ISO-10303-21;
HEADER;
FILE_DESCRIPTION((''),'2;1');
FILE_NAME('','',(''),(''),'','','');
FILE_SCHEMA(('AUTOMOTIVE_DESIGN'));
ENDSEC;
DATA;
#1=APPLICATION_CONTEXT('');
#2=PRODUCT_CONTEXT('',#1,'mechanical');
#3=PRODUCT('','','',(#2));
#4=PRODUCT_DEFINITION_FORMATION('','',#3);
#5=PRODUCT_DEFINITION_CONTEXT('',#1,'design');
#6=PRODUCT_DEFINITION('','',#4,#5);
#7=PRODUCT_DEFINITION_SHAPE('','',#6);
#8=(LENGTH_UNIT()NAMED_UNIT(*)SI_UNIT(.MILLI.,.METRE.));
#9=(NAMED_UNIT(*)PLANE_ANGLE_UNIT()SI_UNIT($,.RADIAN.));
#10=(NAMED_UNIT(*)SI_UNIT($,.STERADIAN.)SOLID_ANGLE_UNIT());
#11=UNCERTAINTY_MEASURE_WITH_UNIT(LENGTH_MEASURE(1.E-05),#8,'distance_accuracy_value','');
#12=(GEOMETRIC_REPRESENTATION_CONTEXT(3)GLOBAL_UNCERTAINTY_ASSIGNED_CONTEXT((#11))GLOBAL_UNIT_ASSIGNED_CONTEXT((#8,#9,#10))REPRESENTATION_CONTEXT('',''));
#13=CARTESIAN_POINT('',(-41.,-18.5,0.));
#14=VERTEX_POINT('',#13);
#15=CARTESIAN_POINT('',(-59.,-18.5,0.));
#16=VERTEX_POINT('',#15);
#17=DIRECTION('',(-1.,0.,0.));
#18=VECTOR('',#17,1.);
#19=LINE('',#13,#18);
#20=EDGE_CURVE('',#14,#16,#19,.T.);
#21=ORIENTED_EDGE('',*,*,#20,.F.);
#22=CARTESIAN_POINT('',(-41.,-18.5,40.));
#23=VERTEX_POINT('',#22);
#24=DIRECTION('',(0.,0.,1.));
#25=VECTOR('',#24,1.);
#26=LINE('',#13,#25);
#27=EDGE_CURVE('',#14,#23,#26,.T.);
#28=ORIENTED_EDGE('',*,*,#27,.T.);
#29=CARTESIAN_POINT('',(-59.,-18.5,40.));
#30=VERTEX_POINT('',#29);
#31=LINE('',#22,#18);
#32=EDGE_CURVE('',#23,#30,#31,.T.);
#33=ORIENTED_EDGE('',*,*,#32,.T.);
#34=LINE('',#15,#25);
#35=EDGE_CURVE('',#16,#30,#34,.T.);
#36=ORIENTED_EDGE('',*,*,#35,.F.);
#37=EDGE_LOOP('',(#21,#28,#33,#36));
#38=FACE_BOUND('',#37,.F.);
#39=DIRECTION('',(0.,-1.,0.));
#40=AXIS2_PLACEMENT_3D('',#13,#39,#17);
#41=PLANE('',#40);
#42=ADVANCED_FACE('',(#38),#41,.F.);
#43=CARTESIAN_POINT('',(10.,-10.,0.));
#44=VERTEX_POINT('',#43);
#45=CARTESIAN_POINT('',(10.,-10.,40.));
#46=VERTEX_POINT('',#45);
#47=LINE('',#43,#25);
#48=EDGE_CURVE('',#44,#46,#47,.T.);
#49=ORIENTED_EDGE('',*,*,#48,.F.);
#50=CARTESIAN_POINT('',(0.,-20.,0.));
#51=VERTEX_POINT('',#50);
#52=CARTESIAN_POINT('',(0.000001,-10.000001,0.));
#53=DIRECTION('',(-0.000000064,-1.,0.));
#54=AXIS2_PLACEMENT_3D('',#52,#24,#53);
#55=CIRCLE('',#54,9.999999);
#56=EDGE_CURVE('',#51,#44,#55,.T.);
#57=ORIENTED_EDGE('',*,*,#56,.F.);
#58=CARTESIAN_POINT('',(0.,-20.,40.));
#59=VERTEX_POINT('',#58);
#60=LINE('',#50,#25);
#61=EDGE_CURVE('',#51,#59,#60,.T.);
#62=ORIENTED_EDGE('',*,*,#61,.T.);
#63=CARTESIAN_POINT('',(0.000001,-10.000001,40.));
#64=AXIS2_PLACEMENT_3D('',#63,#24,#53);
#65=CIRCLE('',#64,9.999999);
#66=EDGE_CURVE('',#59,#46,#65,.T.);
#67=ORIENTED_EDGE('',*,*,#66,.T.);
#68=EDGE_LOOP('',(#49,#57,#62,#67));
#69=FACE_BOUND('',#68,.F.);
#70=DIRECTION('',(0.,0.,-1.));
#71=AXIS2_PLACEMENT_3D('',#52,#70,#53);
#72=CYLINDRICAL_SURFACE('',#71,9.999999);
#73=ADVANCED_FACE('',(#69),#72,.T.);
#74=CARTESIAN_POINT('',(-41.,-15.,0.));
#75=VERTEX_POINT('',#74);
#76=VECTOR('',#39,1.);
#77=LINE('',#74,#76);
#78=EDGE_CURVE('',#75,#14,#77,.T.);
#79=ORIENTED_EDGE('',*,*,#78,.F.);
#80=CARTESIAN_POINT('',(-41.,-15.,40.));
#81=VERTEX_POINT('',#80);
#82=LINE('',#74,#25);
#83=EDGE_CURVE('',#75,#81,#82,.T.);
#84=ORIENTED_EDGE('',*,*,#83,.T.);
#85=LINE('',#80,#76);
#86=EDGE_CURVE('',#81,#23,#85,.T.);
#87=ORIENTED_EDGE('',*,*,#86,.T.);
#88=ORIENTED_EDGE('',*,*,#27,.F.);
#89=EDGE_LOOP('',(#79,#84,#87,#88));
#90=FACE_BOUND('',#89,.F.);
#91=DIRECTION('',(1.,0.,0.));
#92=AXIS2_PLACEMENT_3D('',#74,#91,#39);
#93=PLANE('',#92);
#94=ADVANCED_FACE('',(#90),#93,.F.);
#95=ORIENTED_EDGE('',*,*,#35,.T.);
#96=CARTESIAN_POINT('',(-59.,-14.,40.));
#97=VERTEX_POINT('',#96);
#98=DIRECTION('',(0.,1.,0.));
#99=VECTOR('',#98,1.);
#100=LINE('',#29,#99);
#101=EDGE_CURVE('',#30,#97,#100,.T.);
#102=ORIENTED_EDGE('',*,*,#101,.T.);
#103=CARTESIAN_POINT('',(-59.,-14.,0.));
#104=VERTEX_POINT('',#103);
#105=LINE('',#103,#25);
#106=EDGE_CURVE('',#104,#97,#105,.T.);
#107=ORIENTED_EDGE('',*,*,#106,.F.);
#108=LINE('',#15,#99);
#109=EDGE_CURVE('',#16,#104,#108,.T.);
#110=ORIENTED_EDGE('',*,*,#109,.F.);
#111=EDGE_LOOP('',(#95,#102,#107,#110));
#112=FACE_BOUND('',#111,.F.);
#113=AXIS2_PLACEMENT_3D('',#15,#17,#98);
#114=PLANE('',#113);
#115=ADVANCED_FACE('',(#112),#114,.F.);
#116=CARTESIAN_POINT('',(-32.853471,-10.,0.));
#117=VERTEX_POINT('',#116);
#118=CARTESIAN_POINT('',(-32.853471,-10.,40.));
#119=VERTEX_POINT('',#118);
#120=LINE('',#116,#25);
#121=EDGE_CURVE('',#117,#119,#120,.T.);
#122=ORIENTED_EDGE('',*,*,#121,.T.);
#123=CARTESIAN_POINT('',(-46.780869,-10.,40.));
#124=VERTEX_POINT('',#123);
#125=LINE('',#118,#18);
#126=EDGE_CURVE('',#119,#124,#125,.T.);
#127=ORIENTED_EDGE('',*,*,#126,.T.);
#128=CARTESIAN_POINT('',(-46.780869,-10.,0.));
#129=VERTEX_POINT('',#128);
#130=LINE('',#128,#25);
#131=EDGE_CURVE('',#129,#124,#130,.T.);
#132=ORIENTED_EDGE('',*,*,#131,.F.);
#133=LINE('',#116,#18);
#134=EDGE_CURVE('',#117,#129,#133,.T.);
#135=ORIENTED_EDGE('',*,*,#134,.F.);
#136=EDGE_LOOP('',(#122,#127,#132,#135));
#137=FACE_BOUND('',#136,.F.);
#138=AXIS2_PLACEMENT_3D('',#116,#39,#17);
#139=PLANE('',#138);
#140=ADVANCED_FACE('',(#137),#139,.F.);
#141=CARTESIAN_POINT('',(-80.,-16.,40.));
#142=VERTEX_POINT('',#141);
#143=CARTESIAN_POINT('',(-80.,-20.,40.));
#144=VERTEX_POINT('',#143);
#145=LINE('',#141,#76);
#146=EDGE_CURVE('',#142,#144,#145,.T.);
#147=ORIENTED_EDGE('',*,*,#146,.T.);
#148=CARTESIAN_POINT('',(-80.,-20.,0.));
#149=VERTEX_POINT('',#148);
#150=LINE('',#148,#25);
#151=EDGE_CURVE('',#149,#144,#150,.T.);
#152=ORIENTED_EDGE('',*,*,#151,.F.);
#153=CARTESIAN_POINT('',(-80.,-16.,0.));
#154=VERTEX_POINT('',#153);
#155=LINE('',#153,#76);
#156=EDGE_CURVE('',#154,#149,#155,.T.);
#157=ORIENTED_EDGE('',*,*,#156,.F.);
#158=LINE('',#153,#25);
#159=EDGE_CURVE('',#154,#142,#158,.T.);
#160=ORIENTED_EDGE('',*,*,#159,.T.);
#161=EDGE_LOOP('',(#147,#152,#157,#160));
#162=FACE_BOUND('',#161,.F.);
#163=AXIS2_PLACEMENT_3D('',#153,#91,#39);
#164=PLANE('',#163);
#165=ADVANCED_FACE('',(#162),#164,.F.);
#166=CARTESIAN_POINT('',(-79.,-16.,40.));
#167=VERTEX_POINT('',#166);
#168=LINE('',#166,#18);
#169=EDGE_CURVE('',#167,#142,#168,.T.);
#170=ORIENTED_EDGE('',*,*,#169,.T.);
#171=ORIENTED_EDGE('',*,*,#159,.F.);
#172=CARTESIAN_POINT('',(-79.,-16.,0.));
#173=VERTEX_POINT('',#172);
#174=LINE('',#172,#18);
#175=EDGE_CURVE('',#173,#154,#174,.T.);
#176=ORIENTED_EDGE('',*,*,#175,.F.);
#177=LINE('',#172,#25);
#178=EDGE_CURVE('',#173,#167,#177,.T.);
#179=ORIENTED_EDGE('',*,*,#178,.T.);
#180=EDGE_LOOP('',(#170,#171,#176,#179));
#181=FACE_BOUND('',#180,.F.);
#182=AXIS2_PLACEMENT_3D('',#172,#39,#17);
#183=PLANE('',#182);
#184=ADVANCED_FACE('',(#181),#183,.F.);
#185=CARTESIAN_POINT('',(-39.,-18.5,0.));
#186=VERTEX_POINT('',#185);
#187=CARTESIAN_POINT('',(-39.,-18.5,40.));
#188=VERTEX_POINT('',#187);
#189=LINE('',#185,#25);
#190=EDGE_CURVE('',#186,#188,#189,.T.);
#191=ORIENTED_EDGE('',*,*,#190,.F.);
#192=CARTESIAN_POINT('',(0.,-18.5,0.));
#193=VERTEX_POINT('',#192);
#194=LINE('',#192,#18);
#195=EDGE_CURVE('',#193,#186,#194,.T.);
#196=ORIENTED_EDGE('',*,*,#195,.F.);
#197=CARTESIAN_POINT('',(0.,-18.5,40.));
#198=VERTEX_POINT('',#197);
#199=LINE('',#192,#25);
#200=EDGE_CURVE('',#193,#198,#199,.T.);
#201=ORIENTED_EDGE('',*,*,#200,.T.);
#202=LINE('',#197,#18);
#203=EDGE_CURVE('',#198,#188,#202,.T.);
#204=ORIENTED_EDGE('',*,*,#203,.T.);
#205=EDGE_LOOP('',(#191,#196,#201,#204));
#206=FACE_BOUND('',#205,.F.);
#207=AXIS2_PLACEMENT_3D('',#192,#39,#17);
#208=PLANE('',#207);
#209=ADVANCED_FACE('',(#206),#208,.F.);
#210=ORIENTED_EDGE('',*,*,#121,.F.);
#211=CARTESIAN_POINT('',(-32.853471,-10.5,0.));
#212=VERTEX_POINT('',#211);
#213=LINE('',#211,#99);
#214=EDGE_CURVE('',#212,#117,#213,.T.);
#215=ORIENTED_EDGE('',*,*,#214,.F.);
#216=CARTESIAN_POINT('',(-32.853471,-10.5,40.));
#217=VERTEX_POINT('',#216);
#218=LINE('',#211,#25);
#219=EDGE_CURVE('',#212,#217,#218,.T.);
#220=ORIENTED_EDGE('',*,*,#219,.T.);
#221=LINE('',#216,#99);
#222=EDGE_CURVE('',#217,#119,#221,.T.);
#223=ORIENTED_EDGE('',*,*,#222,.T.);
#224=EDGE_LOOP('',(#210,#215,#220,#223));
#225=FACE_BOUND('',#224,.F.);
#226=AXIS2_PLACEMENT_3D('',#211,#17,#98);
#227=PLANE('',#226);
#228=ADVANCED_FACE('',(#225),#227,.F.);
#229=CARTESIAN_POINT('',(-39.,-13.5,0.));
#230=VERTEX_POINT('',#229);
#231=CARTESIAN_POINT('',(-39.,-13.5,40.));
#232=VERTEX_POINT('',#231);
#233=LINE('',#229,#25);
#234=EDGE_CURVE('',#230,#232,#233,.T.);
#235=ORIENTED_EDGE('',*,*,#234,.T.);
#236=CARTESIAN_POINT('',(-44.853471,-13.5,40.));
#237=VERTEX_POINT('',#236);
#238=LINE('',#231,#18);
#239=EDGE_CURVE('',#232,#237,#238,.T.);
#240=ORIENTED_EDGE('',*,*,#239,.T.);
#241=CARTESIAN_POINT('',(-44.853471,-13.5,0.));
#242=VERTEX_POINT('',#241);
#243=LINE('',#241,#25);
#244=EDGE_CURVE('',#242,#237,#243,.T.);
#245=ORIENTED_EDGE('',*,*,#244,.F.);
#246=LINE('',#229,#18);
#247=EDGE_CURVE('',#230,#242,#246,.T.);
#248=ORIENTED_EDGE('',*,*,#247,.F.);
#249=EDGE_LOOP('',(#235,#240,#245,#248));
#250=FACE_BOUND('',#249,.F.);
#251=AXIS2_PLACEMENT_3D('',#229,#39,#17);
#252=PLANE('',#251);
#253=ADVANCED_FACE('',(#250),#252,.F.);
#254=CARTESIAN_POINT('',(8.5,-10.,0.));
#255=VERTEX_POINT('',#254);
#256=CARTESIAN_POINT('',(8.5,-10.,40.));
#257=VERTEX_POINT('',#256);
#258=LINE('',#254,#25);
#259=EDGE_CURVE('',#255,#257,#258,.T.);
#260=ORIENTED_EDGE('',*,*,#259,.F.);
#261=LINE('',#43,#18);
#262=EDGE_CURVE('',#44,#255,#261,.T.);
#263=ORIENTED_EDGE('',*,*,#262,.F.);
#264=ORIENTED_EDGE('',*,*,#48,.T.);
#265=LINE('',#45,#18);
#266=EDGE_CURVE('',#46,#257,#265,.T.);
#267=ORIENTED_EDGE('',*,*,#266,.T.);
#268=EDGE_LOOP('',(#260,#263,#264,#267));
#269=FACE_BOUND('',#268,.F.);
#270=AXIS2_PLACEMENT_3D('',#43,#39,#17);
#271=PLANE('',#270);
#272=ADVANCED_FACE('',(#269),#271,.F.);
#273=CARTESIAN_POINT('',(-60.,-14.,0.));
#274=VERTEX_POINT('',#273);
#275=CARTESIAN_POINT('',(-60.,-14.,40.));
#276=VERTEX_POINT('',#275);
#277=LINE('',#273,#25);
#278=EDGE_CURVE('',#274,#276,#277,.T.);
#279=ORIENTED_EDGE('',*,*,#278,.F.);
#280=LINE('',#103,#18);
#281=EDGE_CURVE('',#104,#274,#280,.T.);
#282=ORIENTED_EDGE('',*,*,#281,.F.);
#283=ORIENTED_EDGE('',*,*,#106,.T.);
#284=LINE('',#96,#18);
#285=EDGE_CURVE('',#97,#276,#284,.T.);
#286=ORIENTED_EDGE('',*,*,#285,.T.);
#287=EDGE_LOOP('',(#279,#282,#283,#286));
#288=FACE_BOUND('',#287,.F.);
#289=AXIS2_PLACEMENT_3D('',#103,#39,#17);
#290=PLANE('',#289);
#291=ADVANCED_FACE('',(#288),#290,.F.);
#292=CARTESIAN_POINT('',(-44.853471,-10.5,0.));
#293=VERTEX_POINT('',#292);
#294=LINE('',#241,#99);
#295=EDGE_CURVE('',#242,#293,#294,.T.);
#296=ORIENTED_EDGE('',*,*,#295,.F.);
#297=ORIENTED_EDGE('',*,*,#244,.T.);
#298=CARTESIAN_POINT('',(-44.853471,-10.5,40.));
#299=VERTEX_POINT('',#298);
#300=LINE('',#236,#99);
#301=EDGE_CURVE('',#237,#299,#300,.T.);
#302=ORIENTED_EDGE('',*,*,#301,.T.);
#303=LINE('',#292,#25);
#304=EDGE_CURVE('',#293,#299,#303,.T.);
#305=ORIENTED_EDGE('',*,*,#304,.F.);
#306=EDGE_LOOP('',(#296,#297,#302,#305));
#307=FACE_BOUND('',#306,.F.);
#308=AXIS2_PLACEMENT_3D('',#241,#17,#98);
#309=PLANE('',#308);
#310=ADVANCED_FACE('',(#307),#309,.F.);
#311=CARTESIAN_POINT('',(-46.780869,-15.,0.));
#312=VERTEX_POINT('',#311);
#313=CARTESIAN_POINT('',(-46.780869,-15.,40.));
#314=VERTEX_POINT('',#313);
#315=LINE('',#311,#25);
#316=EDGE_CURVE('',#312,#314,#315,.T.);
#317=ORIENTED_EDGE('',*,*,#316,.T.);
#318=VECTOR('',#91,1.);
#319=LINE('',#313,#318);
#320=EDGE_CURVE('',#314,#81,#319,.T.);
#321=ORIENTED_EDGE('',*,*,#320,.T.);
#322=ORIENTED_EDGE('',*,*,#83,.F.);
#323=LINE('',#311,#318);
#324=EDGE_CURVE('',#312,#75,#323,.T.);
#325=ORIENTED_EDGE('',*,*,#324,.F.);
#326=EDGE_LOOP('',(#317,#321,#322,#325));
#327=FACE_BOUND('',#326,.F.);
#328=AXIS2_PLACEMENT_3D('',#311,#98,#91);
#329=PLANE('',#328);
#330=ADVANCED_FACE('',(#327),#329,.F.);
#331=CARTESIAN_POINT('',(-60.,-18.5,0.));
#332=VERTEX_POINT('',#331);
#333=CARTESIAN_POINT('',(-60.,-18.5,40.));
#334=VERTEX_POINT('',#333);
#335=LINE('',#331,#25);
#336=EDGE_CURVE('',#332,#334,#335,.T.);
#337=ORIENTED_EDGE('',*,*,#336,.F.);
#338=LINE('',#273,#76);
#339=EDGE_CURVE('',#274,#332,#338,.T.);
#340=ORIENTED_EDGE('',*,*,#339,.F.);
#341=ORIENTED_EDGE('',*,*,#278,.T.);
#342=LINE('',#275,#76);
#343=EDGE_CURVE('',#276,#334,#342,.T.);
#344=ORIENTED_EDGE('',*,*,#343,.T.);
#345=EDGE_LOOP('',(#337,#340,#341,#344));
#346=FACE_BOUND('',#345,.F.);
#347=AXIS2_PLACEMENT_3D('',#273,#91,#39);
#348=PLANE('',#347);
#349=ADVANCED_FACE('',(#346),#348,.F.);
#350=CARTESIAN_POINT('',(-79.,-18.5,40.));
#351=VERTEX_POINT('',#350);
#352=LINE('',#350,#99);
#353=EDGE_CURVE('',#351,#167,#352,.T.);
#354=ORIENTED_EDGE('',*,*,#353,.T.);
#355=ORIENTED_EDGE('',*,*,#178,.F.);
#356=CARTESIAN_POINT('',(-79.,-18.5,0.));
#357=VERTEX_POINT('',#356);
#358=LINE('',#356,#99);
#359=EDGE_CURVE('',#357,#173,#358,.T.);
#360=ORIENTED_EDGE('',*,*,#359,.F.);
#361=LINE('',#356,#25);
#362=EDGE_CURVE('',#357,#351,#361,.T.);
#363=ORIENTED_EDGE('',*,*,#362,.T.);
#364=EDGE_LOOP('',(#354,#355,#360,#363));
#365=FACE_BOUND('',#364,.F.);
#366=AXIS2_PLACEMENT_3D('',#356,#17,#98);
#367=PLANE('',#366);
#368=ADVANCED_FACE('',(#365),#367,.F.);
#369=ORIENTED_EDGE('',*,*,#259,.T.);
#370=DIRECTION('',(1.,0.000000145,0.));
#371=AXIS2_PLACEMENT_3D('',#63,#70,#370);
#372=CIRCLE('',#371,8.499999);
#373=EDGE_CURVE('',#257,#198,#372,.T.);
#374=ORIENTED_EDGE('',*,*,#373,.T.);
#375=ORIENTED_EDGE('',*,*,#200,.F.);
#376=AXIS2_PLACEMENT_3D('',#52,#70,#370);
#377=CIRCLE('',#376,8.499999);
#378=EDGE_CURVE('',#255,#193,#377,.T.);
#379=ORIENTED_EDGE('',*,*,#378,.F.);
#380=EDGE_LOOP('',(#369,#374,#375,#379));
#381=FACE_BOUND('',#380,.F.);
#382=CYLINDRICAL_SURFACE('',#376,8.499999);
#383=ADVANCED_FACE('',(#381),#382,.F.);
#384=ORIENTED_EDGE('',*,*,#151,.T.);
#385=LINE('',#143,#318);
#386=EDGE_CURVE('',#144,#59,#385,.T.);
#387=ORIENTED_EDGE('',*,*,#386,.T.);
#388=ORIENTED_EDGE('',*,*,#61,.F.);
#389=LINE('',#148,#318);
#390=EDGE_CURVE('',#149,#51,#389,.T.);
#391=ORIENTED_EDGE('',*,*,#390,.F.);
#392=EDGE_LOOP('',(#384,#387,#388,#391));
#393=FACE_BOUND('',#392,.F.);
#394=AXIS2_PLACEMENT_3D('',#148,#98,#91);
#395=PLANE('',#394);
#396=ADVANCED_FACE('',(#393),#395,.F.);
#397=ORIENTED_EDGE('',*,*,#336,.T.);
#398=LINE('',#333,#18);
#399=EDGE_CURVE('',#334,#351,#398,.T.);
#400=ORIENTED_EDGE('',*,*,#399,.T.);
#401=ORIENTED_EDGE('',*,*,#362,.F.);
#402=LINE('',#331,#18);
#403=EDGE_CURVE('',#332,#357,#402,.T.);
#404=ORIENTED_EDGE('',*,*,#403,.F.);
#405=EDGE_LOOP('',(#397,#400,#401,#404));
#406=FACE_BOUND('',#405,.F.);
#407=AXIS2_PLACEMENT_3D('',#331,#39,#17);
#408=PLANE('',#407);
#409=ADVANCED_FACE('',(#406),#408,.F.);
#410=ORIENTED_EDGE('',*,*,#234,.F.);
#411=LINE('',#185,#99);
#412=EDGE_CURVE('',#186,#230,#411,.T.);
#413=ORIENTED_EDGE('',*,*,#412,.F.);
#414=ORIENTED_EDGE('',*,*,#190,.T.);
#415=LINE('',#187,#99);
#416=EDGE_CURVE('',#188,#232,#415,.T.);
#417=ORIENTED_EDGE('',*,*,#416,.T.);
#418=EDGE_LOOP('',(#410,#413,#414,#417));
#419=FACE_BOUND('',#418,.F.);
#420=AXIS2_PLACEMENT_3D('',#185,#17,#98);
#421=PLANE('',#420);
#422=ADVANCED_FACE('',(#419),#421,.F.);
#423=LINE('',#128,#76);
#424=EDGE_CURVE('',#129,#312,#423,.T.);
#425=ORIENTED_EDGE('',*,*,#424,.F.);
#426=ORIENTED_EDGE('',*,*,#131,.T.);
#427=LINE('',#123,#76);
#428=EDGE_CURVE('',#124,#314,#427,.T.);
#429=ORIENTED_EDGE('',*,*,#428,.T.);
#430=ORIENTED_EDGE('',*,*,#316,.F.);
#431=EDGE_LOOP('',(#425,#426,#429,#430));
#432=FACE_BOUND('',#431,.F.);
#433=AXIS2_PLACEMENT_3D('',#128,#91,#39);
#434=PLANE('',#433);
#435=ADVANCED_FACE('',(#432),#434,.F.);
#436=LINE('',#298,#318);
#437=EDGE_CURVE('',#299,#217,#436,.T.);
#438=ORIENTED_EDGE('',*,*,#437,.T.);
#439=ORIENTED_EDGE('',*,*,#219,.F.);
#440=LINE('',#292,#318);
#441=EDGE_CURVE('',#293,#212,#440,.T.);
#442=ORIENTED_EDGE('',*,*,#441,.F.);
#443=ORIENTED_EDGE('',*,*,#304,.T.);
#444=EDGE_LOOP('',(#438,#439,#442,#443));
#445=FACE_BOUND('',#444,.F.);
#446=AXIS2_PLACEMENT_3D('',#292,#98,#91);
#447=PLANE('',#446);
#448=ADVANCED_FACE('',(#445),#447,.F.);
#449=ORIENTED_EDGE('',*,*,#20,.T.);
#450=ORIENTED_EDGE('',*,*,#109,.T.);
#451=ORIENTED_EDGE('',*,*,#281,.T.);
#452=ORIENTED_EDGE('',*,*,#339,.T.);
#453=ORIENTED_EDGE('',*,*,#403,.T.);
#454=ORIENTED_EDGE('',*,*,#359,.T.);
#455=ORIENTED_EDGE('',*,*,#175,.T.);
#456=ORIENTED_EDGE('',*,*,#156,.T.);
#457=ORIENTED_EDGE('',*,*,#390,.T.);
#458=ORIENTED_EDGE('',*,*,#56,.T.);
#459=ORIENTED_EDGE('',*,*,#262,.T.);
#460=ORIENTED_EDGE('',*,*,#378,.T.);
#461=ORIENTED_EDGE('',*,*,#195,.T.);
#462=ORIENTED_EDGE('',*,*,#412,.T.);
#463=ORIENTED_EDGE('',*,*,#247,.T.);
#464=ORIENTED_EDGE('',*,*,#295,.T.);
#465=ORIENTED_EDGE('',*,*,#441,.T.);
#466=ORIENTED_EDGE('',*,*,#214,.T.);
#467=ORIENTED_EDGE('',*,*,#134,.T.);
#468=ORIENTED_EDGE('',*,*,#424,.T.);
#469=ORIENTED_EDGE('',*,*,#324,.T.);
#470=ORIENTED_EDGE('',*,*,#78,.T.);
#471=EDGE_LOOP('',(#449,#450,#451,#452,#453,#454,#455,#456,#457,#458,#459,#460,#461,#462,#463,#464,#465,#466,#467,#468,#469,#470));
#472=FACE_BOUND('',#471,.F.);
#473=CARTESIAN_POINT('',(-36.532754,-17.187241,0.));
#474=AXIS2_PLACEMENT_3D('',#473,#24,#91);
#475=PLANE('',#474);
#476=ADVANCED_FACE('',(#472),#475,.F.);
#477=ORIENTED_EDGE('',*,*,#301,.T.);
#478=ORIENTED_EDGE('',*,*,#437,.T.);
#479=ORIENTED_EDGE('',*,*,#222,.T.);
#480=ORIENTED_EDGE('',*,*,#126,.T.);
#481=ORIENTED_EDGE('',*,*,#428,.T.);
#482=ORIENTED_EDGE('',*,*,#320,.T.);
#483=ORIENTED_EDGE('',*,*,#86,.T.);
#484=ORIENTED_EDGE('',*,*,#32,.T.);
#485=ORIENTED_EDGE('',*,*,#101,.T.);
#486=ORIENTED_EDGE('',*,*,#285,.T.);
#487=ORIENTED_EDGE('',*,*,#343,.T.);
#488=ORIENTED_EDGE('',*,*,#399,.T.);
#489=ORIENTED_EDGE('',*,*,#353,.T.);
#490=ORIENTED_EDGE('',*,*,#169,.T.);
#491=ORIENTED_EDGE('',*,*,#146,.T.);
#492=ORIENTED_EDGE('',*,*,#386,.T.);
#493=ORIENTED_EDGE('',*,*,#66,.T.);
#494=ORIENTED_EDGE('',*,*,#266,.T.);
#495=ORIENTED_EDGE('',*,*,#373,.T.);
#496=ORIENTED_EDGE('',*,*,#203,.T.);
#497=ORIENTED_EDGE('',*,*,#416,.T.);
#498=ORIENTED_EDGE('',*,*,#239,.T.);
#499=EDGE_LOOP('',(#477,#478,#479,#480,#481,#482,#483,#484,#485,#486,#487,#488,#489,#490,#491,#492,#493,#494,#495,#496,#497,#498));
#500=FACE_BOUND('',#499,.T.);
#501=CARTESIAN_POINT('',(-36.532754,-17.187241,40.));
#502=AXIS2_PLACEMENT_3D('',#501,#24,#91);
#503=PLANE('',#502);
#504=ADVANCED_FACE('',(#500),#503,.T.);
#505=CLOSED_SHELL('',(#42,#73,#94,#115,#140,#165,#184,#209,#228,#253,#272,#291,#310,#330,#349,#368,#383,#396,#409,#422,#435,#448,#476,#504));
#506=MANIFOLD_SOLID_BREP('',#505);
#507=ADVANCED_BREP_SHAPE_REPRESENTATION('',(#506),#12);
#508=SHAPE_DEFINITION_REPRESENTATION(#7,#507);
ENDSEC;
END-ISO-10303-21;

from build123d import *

# Parameters (mm, degrees)
F1_DEPTH = 40


with BuildPart() as f1:
    # F0 (on Top) → F1 (new body)
    with BuildSketch(Plane.XY):
        with BuildLine():
            Line((-80, -20), (-0.902612, -20))
            Line((-0.902612, -20), (0, -20))
            ThreePointArc((0, -20), (7.071068, -17.071068), (10, -10))
            Line((10, -10), (8.5, -10))
            ThreePointArc((8.5, -10), (6.010408, -16.010408), (0, -18.5))
            Line((0, -18.5), (-6.213812, -18.5))
            Line((-6.213812, -18.5), (-39, -18.5))
            Line((-39, -18.5), (-39, -13.5))
            Line((-39, -13.5), (-44.853471, -13.5))
            Line((-44.853471, -13.5), (-44.853471, -10.5))
            Line((-44.853471, -10.5), (-32.853471, -10.5))
            Line((-32.853471, -10.5), (-32.853471, -10))
            Line((-32.853471, -10), (-46.780869, -10))
            Line((-46.780869, -10), (-46.780869, -15))
            Line((-46.780869, -15), (-41, -15))
            Line((-41, -15), (-41, -18.5))
            Line((-41, -18.5), (-59, -18.5))
            Line((-59, -18.5), (-59, -14))
            Line((-59, -14), (-60, -14))
            Line((-60, -14), (-60, -18.5))
            Line((-60, -18.5), (-79, -18.5))
            Line((-79, -18.5), (-79, -16))
            Line((-79, -16), (-80, -16))
            Line((-80, -16), (-80, -18.5))
            Line((-80, -18.5), (-80, -20))
        make_face()
    extrude(amount=F1_DEPTH)


solid = f1.part
